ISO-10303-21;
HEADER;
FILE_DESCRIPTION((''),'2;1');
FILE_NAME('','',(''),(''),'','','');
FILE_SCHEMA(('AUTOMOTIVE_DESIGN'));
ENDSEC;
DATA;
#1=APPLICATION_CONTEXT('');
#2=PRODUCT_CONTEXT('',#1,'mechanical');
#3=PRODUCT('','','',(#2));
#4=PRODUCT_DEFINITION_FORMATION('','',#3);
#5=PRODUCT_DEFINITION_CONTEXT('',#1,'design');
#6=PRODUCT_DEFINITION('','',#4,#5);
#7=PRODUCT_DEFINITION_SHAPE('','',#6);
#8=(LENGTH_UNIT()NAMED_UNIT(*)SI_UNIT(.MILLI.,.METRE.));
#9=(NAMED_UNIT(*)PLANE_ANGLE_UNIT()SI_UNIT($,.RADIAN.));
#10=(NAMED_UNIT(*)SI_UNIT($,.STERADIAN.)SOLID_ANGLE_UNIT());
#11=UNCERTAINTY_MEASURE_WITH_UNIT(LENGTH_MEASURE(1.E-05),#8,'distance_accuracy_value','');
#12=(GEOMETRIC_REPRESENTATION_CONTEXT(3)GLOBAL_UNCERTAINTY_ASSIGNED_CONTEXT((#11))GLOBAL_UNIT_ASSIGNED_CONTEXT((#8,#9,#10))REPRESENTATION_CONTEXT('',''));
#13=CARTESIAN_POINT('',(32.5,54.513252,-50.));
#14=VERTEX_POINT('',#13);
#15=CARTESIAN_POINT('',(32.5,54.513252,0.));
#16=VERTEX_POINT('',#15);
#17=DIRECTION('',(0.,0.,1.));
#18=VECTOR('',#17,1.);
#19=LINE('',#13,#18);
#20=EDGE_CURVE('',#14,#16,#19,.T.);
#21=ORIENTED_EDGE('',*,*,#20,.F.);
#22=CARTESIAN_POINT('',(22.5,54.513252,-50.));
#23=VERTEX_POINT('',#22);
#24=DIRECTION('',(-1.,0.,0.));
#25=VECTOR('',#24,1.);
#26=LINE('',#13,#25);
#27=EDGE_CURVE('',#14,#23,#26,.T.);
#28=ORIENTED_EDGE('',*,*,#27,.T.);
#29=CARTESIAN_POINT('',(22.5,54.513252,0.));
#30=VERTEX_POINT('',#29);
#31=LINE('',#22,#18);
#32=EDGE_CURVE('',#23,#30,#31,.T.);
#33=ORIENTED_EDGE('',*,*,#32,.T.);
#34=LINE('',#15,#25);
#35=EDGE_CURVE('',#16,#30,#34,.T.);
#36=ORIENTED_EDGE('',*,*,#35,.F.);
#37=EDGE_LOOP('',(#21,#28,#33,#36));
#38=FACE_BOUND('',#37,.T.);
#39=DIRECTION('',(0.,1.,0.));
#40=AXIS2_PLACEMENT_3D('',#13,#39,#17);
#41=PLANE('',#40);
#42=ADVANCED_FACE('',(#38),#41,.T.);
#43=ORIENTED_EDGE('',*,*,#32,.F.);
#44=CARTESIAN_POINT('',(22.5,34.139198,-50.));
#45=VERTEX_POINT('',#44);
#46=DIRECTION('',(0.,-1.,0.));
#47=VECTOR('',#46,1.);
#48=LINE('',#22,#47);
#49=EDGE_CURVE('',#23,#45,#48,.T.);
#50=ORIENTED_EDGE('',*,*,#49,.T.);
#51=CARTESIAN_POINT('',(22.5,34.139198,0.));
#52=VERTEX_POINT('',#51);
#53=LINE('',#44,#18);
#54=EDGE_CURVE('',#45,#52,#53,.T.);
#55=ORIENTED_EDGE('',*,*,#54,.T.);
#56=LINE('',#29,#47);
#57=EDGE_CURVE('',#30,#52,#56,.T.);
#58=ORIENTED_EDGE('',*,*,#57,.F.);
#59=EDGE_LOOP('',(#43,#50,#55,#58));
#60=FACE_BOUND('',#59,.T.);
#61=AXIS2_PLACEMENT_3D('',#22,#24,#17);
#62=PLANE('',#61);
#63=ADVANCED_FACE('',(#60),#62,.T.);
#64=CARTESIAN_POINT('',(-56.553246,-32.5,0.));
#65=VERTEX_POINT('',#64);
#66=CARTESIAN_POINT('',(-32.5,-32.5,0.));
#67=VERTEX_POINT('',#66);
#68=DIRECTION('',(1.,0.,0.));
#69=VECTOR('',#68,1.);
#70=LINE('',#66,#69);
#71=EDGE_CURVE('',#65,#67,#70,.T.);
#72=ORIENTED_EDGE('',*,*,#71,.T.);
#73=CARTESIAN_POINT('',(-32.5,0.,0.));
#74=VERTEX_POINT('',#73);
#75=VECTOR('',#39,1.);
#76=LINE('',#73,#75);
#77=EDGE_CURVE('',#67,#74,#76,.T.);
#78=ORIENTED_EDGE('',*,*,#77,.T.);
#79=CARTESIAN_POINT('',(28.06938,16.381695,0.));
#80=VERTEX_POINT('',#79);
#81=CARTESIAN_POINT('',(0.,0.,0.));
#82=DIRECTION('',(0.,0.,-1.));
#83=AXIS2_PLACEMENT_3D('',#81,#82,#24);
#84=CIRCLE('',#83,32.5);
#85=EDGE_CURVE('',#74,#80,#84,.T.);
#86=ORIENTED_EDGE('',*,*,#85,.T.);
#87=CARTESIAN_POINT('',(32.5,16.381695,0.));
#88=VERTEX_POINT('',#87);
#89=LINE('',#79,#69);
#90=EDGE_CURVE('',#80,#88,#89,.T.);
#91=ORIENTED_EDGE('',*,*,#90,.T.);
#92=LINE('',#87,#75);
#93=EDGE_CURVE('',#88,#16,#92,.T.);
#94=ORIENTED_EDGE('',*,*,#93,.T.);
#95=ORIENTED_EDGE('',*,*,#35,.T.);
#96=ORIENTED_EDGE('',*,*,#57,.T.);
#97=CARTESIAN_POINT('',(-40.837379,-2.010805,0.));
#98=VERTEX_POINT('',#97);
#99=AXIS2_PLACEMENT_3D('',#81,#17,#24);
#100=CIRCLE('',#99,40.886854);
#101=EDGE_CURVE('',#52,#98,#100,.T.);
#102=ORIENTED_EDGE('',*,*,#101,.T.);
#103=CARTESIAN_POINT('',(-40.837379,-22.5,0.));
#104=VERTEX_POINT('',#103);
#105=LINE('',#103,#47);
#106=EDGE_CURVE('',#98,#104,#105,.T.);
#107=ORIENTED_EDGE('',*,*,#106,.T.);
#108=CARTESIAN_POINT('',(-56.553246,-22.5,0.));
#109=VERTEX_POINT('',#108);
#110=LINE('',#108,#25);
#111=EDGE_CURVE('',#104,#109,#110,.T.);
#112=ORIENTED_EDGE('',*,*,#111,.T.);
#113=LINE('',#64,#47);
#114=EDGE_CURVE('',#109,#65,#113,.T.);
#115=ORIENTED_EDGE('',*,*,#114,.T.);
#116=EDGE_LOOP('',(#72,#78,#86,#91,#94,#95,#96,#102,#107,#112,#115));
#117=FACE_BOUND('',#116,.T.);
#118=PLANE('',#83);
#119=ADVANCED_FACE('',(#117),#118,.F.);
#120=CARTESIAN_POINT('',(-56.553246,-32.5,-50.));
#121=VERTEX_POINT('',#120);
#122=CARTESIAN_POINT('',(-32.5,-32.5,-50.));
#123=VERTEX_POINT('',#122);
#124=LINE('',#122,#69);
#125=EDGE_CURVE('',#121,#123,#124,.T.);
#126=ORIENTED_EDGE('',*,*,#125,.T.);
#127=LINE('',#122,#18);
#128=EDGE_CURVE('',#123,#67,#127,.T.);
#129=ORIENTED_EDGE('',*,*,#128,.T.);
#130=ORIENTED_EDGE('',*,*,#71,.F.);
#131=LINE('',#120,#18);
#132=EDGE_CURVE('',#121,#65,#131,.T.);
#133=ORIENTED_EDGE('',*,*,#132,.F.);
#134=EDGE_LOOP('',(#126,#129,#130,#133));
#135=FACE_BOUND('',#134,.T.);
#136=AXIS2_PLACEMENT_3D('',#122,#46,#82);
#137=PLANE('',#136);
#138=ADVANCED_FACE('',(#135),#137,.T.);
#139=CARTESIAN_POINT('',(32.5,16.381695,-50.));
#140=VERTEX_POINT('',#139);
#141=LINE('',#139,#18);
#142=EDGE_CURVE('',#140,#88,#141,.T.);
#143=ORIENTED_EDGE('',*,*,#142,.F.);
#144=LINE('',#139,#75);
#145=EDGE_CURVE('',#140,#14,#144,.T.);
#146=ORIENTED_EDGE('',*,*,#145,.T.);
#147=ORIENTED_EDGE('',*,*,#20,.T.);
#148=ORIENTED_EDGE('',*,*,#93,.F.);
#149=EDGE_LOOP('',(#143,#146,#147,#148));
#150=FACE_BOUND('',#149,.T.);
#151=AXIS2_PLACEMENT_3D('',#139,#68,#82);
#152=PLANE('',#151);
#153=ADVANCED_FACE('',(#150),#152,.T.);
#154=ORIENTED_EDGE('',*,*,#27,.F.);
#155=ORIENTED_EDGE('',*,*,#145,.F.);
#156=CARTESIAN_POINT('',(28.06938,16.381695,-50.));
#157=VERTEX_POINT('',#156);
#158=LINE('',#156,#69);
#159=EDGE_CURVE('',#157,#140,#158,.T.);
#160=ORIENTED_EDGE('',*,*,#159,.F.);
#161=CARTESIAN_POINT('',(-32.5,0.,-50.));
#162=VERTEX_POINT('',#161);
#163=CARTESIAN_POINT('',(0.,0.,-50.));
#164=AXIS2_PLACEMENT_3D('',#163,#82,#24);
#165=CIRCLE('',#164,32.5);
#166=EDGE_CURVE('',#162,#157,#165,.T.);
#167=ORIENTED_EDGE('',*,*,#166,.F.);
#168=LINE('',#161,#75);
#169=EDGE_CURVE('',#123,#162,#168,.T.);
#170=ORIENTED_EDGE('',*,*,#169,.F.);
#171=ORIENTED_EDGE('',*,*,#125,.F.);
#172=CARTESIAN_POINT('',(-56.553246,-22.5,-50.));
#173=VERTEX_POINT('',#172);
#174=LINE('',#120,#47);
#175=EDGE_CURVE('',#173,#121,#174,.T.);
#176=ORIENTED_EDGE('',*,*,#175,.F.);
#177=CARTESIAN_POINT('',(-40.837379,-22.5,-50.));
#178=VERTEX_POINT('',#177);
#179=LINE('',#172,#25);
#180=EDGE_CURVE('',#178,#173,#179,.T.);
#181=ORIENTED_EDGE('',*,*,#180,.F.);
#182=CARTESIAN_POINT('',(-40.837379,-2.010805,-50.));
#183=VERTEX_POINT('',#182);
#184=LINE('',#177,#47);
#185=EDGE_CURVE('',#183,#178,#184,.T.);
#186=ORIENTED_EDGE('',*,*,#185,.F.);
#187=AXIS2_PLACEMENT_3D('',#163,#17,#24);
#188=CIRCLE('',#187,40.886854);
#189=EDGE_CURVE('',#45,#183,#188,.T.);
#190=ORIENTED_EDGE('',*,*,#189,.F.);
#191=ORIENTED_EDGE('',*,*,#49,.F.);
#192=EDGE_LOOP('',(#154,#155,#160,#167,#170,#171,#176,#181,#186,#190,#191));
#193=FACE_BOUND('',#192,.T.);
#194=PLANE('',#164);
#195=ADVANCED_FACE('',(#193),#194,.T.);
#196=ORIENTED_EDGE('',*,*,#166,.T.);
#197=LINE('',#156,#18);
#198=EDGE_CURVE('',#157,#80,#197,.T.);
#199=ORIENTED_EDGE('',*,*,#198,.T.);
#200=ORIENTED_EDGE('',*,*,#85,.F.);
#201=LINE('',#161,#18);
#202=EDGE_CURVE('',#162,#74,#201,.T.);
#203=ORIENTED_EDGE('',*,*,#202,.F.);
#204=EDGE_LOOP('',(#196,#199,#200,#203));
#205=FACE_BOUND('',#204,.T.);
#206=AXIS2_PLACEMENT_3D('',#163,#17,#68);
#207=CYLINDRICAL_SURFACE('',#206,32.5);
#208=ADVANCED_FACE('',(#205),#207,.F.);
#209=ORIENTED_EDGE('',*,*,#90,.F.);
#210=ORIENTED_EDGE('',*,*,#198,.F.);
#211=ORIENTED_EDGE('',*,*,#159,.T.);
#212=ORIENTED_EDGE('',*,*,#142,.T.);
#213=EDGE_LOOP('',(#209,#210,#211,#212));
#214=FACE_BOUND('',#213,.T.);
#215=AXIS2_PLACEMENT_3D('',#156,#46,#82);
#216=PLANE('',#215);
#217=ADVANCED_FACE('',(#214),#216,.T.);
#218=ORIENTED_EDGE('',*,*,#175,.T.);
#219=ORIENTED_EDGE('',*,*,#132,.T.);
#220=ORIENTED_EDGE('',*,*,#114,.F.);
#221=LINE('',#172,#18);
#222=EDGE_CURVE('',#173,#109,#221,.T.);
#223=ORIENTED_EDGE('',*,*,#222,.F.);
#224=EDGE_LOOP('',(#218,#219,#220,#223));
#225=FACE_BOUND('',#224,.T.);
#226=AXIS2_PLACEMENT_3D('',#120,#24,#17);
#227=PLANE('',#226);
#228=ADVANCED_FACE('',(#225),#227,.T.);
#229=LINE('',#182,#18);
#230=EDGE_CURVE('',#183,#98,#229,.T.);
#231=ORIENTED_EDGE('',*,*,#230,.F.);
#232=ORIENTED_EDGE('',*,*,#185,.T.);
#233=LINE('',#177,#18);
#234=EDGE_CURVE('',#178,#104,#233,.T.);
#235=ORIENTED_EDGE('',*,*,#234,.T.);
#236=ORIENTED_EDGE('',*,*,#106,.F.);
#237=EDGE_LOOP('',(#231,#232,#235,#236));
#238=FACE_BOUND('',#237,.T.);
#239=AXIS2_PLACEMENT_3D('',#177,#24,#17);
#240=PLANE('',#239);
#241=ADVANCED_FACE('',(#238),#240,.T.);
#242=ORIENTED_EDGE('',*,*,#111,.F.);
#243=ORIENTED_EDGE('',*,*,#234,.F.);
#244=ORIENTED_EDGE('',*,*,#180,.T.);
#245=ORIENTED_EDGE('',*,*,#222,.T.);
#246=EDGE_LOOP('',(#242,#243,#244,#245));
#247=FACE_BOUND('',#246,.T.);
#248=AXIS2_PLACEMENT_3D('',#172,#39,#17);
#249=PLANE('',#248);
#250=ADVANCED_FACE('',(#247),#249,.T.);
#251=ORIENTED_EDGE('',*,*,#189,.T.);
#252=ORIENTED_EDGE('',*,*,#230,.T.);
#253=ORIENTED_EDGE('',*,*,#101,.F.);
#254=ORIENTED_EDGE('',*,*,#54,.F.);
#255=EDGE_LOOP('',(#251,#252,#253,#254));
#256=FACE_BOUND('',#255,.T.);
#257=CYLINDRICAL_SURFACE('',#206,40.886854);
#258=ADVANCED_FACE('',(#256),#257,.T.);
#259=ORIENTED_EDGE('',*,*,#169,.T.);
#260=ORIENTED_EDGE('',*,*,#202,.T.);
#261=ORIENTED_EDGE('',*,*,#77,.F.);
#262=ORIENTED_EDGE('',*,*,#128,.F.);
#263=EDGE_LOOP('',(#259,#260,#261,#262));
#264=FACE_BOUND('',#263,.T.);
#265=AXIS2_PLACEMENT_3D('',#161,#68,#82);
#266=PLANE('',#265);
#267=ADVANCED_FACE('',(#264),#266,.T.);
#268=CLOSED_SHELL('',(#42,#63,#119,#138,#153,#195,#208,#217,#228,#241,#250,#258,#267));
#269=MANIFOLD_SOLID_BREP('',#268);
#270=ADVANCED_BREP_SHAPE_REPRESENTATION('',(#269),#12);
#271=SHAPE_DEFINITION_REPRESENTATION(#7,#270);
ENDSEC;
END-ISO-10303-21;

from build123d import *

# Parameters (mm, degrees)
BOSS_EXTRUDE1_DEPTH = 50


with BuildPart() as part:
    # Sketch2 → Boss-Extrude1 (new body)
    with BuildSketch(Plane.XY):
        with BuildLine():
            Line((-32.5, 0), (-32.5, -32.5))
            Line((-32.5, -32.5), (-56.553245639, -32.5))
            Line((-56.553245639, -32.5), (-56.553245639, -22.5))
            Line((-56.553245639, -22.5), (-40.8373789, -22.5))
            Line((-40.8373789, -22.5), (-40.8373789, -2.010804855))
            ThreePointArc((-40.8373789, -2.010804855), (-20.267475074, 35.510059219), (22.5, 34.139198169))
            Line((22.5, 34.139198169), (22.5, 54.513252466))
            Line((22.5, 54.513252466), (32.5, 54.513252466))
            Line((32.5, 54.513252466), (32.5, 16.381694729))
            Line((32.5, 16.381694729), (28.069379719, 16.381694729))
            ThreePointArc((28.069379719, 16.381694729), (-8.485138748, 31.372797459), (-32.5, 0))
        make_face()
    extrude(amount=-BOSS_EXTRUDE1_DEPTH)


solid = part.part
